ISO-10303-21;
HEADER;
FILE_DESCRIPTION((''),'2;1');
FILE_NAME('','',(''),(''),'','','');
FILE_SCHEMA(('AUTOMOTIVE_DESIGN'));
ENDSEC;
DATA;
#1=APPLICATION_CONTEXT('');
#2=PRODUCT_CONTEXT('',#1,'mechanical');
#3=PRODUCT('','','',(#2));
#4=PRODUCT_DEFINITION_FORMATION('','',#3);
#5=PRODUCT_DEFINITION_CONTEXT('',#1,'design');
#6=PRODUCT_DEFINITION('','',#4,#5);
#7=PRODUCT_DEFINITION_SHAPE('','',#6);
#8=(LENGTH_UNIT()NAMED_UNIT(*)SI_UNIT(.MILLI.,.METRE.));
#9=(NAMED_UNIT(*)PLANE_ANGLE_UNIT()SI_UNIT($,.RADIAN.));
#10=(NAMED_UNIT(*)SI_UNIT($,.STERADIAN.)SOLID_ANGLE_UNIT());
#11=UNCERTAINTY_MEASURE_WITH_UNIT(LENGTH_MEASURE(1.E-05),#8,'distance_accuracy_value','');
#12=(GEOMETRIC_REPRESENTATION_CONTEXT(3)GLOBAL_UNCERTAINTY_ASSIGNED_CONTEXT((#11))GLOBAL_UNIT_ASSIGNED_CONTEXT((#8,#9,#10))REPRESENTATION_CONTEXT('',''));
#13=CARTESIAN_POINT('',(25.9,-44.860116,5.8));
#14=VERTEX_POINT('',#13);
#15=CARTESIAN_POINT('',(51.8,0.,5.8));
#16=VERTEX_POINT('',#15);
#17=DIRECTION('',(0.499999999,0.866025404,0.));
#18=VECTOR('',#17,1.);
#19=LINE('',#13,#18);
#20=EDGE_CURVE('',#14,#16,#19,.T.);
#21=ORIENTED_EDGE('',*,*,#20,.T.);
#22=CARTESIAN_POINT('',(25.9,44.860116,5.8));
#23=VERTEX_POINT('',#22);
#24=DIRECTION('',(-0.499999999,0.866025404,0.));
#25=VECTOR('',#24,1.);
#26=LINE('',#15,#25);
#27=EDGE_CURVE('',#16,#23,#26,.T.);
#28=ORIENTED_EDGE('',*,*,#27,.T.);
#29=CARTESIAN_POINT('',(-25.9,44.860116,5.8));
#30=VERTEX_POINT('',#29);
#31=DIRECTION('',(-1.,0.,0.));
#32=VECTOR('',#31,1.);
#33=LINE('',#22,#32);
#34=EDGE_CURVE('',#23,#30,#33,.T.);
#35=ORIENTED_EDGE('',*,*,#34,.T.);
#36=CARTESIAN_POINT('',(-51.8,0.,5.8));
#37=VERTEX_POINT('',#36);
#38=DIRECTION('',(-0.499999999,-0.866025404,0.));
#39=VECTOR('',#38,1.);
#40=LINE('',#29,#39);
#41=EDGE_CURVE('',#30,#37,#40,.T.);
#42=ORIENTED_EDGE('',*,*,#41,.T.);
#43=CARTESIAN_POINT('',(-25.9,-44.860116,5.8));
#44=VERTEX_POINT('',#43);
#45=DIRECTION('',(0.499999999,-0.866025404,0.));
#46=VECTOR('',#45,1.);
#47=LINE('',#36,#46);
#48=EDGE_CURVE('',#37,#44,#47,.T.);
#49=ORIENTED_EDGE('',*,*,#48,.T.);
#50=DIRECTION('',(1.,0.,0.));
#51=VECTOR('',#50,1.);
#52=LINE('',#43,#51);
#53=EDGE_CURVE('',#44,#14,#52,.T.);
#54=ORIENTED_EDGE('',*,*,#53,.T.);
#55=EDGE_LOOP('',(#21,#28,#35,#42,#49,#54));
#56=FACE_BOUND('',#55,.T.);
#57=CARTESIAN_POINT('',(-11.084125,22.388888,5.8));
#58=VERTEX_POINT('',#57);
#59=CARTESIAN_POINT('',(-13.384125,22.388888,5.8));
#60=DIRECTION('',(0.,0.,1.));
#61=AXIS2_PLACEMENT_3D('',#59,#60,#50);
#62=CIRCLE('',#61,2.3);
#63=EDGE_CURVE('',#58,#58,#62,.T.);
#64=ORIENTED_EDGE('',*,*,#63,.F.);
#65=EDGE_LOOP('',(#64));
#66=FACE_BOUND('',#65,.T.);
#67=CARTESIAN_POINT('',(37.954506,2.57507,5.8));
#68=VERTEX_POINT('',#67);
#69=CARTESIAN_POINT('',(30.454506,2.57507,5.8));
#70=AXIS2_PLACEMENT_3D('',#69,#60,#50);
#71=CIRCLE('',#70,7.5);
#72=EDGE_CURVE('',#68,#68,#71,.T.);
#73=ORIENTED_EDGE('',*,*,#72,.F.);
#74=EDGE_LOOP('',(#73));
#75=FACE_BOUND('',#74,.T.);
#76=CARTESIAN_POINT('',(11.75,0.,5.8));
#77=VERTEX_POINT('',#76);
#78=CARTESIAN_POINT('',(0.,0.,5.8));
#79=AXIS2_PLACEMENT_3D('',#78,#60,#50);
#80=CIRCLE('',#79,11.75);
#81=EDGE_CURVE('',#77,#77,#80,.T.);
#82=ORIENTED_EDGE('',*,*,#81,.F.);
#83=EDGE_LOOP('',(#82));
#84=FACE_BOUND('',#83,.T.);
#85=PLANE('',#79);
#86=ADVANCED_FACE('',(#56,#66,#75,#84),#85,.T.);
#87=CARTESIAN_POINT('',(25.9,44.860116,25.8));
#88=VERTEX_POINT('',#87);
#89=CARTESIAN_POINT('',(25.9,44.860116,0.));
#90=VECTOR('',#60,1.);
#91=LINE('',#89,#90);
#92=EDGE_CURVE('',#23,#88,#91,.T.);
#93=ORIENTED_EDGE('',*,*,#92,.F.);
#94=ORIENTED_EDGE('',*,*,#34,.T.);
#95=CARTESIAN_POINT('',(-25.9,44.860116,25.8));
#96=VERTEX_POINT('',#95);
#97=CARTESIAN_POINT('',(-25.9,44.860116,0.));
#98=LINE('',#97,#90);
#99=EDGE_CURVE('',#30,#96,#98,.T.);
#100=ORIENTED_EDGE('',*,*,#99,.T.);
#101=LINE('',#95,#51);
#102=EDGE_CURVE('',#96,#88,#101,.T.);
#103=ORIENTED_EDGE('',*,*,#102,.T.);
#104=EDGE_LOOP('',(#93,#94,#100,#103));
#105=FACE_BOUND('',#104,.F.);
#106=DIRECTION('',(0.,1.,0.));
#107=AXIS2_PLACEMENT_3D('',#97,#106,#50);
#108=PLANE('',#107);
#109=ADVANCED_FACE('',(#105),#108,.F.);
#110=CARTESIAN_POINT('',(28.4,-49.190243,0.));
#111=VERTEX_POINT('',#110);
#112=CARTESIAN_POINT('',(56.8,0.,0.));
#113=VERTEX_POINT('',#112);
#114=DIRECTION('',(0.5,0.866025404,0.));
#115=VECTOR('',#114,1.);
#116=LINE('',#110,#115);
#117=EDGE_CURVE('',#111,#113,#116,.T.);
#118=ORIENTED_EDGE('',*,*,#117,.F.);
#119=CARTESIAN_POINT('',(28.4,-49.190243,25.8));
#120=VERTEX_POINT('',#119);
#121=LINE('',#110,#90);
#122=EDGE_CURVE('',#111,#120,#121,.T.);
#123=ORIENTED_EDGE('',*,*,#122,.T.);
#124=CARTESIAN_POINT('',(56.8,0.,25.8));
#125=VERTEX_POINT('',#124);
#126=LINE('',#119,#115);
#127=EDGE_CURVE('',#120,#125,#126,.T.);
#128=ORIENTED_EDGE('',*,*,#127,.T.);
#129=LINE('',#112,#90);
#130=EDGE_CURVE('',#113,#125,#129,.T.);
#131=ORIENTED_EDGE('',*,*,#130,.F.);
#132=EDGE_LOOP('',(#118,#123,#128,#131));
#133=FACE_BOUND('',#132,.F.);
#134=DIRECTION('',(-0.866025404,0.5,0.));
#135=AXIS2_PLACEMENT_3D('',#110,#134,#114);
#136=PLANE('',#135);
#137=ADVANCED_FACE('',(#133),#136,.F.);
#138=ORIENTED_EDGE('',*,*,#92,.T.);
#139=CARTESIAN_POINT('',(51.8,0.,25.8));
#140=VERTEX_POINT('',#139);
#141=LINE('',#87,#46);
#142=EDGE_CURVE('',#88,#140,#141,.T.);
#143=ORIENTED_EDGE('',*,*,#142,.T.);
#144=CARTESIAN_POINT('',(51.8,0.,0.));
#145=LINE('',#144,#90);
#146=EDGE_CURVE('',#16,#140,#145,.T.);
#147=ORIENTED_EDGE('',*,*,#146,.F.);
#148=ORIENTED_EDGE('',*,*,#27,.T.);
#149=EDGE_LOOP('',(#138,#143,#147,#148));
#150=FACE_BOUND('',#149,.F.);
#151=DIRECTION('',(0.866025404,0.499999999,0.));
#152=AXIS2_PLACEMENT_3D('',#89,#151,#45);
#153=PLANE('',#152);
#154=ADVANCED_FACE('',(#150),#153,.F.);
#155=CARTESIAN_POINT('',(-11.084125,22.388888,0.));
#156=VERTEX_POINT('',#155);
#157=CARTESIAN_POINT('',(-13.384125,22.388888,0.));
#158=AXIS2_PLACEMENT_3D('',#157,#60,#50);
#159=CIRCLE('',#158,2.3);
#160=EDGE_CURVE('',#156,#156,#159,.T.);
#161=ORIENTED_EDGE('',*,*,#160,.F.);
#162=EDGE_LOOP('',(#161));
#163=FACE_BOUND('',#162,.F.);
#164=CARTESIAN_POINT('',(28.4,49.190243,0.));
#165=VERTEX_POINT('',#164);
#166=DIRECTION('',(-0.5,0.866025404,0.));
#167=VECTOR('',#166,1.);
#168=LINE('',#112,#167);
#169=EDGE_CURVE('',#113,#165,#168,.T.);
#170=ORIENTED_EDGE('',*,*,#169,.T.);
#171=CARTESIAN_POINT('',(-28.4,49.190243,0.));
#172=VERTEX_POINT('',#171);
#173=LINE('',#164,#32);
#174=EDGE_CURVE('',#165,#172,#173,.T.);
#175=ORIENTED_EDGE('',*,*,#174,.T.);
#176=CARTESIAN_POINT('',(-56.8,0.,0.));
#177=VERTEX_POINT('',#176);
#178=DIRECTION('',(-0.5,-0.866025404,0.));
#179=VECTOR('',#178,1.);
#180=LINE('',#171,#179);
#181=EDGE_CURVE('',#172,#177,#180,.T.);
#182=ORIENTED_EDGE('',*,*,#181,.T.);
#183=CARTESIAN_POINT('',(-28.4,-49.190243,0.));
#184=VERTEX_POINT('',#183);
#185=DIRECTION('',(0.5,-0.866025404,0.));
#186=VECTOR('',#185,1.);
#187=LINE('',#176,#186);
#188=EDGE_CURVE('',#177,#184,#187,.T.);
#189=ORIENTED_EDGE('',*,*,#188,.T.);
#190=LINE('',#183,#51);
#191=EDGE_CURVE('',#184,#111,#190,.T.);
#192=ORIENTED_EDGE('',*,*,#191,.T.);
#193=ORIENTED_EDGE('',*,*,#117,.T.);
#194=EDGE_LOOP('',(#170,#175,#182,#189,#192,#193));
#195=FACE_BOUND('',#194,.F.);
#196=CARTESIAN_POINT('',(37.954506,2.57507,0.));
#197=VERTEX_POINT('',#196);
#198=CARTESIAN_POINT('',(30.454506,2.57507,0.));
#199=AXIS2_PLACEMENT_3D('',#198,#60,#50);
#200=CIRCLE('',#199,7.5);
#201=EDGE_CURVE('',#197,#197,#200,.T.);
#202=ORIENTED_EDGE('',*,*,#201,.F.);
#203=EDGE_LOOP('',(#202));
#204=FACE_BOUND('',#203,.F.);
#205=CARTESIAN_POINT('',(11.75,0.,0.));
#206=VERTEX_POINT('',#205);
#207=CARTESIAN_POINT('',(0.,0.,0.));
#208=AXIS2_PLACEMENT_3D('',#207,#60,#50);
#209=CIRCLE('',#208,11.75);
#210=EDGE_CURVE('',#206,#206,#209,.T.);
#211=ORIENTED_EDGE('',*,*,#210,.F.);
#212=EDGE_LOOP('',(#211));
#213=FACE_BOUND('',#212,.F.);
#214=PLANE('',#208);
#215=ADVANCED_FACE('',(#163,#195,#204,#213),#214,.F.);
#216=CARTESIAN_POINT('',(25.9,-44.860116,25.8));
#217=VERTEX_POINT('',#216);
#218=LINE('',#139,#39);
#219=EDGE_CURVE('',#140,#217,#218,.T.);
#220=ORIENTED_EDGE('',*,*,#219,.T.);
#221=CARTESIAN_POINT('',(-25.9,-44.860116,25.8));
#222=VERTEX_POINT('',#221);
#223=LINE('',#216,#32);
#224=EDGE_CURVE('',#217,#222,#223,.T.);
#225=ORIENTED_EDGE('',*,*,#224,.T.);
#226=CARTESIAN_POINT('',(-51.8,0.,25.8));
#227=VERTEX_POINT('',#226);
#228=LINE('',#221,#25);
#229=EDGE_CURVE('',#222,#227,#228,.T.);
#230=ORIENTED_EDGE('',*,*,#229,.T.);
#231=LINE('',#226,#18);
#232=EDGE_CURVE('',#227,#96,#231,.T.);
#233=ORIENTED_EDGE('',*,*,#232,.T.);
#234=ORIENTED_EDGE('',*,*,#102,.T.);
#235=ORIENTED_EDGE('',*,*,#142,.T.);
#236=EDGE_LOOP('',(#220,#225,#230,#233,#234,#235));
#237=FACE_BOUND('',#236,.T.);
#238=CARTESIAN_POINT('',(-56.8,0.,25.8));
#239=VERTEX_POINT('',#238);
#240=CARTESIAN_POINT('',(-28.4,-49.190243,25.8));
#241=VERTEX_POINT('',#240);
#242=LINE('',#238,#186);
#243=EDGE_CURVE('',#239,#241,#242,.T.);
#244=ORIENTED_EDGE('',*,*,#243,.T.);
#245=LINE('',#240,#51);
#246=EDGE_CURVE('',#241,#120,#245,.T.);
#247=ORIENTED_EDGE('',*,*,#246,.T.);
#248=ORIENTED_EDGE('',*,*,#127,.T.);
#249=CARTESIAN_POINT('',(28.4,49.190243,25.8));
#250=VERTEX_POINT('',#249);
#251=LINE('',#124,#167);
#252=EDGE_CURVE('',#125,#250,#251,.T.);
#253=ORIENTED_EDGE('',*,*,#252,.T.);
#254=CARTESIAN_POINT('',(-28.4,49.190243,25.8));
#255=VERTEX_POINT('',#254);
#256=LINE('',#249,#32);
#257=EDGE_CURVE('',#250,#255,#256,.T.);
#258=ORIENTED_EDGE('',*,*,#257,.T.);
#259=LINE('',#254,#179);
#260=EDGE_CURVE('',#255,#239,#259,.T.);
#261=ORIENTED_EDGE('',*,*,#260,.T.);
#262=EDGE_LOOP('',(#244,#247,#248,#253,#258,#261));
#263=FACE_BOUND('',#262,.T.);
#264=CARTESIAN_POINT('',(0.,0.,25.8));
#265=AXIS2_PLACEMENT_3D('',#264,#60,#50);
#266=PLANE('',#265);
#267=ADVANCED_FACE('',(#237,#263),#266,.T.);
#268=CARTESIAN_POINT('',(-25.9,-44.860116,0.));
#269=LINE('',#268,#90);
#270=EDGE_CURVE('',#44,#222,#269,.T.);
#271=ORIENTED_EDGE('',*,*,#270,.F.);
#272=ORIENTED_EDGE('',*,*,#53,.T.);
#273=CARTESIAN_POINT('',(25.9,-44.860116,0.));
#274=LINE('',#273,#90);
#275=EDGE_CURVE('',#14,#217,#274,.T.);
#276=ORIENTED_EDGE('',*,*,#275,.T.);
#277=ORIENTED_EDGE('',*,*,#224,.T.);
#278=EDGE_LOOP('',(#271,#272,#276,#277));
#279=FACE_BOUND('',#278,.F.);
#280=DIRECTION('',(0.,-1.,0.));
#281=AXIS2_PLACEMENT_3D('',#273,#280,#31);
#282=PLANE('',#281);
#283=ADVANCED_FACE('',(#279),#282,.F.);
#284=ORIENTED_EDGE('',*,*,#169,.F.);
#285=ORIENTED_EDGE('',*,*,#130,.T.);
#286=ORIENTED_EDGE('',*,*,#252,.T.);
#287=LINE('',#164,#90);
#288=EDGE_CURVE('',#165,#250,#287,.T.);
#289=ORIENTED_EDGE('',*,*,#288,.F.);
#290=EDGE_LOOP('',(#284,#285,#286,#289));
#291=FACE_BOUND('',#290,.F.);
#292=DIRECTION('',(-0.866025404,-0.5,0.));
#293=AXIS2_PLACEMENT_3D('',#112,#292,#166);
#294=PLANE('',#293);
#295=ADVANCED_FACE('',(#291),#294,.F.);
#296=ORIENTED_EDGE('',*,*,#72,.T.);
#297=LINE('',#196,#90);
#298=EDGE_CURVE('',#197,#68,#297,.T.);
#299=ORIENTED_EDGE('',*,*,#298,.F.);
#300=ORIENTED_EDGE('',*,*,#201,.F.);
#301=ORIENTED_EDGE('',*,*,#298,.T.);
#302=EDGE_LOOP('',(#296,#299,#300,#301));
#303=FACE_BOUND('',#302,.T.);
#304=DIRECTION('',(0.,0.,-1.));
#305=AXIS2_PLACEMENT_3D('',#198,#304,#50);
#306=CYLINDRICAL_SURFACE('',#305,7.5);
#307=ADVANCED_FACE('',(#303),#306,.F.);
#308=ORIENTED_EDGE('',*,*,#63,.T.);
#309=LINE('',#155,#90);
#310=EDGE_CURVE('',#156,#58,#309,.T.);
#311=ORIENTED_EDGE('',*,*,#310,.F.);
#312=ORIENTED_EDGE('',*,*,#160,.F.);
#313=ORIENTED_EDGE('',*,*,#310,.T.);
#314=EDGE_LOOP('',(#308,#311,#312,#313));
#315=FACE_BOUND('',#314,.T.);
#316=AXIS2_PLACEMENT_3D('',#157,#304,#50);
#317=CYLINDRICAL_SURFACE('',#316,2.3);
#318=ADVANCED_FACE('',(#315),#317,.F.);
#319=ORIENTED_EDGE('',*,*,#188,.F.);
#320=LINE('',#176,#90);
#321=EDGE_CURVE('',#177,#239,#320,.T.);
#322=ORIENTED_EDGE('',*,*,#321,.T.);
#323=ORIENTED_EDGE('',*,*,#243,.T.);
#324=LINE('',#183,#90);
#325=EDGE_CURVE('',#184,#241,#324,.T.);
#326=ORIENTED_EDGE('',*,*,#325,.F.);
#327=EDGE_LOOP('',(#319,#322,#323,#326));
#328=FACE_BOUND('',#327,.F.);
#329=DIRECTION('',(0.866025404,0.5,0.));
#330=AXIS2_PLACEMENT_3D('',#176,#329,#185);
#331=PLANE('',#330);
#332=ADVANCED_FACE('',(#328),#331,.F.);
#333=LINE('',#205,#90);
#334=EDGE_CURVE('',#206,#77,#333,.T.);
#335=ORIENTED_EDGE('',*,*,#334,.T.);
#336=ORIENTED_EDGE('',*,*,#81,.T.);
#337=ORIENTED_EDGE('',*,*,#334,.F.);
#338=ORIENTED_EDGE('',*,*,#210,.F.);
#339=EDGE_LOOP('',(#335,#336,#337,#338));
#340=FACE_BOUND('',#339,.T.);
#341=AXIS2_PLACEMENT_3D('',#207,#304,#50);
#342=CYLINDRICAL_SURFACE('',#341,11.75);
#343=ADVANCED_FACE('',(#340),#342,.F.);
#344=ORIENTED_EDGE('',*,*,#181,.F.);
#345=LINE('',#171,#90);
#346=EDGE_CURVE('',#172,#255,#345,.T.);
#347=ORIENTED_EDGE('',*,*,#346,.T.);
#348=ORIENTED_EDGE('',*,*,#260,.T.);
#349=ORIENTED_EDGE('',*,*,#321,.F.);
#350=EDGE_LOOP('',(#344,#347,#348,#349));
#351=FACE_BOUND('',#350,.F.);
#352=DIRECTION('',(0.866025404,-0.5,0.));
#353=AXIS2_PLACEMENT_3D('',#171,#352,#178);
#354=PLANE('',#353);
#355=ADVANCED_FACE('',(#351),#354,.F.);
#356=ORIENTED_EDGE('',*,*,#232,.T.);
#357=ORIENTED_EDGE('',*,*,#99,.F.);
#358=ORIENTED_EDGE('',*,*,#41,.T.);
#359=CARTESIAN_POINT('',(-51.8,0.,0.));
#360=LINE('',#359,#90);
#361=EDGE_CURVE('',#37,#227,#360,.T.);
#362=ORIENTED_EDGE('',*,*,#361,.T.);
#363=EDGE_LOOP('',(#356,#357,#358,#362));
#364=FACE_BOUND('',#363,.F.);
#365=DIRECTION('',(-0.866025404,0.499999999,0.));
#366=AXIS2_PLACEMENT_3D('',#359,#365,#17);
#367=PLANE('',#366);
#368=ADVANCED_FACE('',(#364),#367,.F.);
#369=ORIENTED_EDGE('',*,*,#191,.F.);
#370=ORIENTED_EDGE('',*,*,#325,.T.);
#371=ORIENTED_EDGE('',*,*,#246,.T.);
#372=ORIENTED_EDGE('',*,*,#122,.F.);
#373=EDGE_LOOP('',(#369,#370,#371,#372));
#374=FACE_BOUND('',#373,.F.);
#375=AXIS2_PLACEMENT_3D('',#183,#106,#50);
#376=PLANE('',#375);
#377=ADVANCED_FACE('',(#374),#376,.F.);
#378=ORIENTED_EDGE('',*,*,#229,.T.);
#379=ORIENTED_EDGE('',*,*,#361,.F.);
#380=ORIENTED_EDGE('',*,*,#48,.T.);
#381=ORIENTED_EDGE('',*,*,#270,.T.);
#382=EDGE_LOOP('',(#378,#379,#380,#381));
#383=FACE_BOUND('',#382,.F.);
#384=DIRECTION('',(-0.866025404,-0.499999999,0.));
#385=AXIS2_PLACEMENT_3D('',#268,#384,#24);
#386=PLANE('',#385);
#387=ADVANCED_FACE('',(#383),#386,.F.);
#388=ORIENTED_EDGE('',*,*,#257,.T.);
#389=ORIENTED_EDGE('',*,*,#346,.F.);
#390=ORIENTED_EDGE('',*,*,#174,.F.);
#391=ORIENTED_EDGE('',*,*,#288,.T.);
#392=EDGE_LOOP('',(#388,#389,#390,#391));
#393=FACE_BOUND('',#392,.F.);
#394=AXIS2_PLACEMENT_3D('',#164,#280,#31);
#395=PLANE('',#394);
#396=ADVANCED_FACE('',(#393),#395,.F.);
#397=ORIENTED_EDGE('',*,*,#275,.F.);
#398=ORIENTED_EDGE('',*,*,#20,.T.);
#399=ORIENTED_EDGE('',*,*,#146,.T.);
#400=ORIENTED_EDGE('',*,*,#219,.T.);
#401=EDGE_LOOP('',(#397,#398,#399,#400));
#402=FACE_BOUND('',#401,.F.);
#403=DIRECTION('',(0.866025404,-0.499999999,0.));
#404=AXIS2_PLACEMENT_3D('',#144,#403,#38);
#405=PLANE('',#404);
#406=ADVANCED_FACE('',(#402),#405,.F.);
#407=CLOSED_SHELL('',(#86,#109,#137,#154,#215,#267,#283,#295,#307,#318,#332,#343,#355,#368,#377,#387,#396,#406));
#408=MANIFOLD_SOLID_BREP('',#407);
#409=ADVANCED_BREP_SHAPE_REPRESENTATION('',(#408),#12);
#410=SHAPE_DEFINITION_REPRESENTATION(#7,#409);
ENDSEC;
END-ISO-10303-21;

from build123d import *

# Parameters (mm, degrees)
F0_R     = 2.3
F0_R_2   = 11.75
F0_R_3   = 7.5
F1_DEPTH = 5.8
F2_DEPTH = 25.8


with BuildPart() as f1:
    # F0 (on Top) → F1 (new body)
    with BuildSketch(Plane.XY):
        Polygon((25.9, 44.860116), (-25.9, 44.860116), (-51.8, 0), (-25.9, -44.860116), (25.9, -44.860116), (51.8, 0), align=None)
        with Locations((-13.384125, 22.388888)):
            Circle(F0_R, mode=Mode.SUBTRACT)
        Circle(F0_R_2, mode=Mode.SUBTRACT)
        with Locations((30.454506, 2.57507)):
            Circle(F0_R_3, mode=Mode.SUBTRACT)
    extrude(amount=F1_DEPTH)

    # F0 (on Top) → F2 (join)
    with BuildSketch(Plane.XY):
        Polygon((28.4, 49.190243), (-28.4, 49.190243), (-56.8, 0), (-28.4, -49.190243), (28.4, -49.190243), (56.8, 0), align=None)
        Polygon((-51.8, 0), (-25.9, 44.860116), (25.9, 44.860116), (51.8, 0), (25.9, -44.860116), (-25.9, -44.860116), align=None, mode=Mode.SUBTRACT)
    extrude(amount=F2_DEPTH)


solid = f1.part
